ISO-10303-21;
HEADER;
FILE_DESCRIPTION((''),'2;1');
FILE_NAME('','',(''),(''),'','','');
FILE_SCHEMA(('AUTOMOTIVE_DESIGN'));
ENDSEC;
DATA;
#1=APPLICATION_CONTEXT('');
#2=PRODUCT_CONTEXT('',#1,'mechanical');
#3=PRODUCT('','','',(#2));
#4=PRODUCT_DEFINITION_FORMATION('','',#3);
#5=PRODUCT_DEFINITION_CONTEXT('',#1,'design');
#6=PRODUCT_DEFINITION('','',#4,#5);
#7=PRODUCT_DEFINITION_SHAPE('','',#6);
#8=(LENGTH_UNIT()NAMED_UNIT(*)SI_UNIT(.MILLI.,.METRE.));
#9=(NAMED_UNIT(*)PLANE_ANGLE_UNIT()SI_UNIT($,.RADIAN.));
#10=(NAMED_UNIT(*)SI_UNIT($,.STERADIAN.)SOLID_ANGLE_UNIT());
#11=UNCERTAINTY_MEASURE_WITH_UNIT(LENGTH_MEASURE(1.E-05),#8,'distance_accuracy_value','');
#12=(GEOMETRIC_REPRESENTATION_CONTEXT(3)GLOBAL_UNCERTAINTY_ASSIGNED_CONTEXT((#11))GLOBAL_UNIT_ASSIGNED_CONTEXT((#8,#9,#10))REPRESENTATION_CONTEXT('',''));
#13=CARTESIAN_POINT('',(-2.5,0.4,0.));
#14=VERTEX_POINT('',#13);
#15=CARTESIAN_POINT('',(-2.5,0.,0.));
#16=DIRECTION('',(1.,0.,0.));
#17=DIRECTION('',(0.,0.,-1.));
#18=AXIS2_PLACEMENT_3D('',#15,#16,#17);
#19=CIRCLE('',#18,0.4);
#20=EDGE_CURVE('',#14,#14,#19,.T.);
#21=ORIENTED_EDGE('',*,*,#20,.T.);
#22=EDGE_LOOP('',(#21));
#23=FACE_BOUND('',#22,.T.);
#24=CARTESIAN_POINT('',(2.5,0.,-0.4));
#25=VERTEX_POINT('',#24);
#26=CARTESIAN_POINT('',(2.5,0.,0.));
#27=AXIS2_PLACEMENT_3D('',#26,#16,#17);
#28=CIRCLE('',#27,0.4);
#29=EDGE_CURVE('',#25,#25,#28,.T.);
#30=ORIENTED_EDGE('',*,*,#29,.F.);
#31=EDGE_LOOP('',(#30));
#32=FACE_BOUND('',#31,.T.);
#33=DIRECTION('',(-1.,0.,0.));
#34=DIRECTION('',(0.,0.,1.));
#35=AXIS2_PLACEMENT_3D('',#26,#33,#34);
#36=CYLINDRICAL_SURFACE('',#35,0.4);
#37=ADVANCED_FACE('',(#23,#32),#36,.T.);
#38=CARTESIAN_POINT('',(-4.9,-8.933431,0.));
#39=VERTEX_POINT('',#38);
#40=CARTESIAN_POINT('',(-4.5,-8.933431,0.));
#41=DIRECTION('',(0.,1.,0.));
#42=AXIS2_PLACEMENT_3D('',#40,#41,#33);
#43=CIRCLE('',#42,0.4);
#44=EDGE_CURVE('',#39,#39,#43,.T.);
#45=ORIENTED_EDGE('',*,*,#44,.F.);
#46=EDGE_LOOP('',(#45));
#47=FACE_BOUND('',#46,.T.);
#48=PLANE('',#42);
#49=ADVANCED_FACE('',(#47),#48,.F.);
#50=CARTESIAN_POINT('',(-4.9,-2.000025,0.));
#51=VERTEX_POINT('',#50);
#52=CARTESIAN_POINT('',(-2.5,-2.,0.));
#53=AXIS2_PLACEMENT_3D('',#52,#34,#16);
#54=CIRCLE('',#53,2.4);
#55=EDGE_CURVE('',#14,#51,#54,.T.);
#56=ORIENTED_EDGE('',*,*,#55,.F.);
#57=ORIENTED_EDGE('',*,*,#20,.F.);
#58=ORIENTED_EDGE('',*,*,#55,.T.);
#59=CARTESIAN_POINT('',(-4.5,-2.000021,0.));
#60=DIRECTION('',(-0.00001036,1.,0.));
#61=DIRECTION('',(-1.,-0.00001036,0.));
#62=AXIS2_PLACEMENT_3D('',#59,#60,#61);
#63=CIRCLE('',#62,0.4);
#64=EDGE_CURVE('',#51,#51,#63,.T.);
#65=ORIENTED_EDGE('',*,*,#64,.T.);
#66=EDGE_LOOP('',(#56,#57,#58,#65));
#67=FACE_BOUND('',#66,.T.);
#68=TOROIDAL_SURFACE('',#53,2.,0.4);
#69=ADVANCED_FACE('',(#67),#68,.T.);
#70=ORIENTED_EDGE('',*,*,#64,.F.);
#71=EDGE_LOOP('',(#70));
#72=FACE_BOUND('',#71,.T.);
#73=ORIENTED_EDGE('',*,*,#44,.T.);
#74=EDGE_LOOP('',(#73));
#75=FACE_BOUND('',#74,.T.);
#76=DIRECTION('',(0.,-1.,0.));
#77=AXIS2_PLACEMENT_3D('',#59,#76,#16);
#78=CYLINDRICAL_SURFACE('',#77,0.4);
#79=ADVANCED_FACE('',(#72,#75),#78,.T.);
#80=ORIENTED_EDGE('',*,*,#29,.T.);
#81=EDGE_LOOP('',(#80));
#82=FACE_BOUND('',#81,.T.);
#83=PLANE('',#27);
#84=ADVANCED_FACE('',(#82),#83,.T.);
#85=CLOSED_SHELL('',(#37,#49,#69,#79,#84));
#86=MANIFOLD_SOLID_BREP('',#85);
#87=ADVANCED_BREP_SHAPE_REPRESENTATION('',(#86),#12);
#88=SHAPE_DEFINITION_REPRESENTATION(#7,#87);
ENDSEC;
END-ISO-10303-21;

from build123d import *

# Parameters (mm, degrees)
SKETCH1_R           = 0.4
BOSS_EXTRUDE1_DEPTH = 2.5
SWEEP1_PROFILE_R    = 0.4


with BuildPart() as part:
    # Sketch1 → Boss-Extrude1 (new, symmetric)
    with BuildSketch(Plane(origin=(0, 0, 0), x_dir=(0, 0, -1), z_dir=(1, 0, 0))):
        Circle(SKETCH1_R)
    extrude(amount=BOSS_EXTRUDE1_DEPTH, both=True)

    # Sweep1: sweep along a path in Sketch2
    with BuildLine(Plane.XY) as sweep1_path:
        Line((-4.5, -8.933430799), (-4.5, -2.000020719))
        ThreePointArc((-4.5, -2.000020719), (-3.914220888, -0.585793763), (-2.5, 0))
    # Sweep1 profile (on start of the path) → Sweep1 (sweep)
    with BuildSketch(Plane(origin=(-4.5, -8.933430799, 0), x_dir=(1, 0, 0), z_dir=(0, 1, 0))):
        Circle(SWEEP1_PROFILE_R)
    sweep(path=sweep1_path.line)


solid = part.part
